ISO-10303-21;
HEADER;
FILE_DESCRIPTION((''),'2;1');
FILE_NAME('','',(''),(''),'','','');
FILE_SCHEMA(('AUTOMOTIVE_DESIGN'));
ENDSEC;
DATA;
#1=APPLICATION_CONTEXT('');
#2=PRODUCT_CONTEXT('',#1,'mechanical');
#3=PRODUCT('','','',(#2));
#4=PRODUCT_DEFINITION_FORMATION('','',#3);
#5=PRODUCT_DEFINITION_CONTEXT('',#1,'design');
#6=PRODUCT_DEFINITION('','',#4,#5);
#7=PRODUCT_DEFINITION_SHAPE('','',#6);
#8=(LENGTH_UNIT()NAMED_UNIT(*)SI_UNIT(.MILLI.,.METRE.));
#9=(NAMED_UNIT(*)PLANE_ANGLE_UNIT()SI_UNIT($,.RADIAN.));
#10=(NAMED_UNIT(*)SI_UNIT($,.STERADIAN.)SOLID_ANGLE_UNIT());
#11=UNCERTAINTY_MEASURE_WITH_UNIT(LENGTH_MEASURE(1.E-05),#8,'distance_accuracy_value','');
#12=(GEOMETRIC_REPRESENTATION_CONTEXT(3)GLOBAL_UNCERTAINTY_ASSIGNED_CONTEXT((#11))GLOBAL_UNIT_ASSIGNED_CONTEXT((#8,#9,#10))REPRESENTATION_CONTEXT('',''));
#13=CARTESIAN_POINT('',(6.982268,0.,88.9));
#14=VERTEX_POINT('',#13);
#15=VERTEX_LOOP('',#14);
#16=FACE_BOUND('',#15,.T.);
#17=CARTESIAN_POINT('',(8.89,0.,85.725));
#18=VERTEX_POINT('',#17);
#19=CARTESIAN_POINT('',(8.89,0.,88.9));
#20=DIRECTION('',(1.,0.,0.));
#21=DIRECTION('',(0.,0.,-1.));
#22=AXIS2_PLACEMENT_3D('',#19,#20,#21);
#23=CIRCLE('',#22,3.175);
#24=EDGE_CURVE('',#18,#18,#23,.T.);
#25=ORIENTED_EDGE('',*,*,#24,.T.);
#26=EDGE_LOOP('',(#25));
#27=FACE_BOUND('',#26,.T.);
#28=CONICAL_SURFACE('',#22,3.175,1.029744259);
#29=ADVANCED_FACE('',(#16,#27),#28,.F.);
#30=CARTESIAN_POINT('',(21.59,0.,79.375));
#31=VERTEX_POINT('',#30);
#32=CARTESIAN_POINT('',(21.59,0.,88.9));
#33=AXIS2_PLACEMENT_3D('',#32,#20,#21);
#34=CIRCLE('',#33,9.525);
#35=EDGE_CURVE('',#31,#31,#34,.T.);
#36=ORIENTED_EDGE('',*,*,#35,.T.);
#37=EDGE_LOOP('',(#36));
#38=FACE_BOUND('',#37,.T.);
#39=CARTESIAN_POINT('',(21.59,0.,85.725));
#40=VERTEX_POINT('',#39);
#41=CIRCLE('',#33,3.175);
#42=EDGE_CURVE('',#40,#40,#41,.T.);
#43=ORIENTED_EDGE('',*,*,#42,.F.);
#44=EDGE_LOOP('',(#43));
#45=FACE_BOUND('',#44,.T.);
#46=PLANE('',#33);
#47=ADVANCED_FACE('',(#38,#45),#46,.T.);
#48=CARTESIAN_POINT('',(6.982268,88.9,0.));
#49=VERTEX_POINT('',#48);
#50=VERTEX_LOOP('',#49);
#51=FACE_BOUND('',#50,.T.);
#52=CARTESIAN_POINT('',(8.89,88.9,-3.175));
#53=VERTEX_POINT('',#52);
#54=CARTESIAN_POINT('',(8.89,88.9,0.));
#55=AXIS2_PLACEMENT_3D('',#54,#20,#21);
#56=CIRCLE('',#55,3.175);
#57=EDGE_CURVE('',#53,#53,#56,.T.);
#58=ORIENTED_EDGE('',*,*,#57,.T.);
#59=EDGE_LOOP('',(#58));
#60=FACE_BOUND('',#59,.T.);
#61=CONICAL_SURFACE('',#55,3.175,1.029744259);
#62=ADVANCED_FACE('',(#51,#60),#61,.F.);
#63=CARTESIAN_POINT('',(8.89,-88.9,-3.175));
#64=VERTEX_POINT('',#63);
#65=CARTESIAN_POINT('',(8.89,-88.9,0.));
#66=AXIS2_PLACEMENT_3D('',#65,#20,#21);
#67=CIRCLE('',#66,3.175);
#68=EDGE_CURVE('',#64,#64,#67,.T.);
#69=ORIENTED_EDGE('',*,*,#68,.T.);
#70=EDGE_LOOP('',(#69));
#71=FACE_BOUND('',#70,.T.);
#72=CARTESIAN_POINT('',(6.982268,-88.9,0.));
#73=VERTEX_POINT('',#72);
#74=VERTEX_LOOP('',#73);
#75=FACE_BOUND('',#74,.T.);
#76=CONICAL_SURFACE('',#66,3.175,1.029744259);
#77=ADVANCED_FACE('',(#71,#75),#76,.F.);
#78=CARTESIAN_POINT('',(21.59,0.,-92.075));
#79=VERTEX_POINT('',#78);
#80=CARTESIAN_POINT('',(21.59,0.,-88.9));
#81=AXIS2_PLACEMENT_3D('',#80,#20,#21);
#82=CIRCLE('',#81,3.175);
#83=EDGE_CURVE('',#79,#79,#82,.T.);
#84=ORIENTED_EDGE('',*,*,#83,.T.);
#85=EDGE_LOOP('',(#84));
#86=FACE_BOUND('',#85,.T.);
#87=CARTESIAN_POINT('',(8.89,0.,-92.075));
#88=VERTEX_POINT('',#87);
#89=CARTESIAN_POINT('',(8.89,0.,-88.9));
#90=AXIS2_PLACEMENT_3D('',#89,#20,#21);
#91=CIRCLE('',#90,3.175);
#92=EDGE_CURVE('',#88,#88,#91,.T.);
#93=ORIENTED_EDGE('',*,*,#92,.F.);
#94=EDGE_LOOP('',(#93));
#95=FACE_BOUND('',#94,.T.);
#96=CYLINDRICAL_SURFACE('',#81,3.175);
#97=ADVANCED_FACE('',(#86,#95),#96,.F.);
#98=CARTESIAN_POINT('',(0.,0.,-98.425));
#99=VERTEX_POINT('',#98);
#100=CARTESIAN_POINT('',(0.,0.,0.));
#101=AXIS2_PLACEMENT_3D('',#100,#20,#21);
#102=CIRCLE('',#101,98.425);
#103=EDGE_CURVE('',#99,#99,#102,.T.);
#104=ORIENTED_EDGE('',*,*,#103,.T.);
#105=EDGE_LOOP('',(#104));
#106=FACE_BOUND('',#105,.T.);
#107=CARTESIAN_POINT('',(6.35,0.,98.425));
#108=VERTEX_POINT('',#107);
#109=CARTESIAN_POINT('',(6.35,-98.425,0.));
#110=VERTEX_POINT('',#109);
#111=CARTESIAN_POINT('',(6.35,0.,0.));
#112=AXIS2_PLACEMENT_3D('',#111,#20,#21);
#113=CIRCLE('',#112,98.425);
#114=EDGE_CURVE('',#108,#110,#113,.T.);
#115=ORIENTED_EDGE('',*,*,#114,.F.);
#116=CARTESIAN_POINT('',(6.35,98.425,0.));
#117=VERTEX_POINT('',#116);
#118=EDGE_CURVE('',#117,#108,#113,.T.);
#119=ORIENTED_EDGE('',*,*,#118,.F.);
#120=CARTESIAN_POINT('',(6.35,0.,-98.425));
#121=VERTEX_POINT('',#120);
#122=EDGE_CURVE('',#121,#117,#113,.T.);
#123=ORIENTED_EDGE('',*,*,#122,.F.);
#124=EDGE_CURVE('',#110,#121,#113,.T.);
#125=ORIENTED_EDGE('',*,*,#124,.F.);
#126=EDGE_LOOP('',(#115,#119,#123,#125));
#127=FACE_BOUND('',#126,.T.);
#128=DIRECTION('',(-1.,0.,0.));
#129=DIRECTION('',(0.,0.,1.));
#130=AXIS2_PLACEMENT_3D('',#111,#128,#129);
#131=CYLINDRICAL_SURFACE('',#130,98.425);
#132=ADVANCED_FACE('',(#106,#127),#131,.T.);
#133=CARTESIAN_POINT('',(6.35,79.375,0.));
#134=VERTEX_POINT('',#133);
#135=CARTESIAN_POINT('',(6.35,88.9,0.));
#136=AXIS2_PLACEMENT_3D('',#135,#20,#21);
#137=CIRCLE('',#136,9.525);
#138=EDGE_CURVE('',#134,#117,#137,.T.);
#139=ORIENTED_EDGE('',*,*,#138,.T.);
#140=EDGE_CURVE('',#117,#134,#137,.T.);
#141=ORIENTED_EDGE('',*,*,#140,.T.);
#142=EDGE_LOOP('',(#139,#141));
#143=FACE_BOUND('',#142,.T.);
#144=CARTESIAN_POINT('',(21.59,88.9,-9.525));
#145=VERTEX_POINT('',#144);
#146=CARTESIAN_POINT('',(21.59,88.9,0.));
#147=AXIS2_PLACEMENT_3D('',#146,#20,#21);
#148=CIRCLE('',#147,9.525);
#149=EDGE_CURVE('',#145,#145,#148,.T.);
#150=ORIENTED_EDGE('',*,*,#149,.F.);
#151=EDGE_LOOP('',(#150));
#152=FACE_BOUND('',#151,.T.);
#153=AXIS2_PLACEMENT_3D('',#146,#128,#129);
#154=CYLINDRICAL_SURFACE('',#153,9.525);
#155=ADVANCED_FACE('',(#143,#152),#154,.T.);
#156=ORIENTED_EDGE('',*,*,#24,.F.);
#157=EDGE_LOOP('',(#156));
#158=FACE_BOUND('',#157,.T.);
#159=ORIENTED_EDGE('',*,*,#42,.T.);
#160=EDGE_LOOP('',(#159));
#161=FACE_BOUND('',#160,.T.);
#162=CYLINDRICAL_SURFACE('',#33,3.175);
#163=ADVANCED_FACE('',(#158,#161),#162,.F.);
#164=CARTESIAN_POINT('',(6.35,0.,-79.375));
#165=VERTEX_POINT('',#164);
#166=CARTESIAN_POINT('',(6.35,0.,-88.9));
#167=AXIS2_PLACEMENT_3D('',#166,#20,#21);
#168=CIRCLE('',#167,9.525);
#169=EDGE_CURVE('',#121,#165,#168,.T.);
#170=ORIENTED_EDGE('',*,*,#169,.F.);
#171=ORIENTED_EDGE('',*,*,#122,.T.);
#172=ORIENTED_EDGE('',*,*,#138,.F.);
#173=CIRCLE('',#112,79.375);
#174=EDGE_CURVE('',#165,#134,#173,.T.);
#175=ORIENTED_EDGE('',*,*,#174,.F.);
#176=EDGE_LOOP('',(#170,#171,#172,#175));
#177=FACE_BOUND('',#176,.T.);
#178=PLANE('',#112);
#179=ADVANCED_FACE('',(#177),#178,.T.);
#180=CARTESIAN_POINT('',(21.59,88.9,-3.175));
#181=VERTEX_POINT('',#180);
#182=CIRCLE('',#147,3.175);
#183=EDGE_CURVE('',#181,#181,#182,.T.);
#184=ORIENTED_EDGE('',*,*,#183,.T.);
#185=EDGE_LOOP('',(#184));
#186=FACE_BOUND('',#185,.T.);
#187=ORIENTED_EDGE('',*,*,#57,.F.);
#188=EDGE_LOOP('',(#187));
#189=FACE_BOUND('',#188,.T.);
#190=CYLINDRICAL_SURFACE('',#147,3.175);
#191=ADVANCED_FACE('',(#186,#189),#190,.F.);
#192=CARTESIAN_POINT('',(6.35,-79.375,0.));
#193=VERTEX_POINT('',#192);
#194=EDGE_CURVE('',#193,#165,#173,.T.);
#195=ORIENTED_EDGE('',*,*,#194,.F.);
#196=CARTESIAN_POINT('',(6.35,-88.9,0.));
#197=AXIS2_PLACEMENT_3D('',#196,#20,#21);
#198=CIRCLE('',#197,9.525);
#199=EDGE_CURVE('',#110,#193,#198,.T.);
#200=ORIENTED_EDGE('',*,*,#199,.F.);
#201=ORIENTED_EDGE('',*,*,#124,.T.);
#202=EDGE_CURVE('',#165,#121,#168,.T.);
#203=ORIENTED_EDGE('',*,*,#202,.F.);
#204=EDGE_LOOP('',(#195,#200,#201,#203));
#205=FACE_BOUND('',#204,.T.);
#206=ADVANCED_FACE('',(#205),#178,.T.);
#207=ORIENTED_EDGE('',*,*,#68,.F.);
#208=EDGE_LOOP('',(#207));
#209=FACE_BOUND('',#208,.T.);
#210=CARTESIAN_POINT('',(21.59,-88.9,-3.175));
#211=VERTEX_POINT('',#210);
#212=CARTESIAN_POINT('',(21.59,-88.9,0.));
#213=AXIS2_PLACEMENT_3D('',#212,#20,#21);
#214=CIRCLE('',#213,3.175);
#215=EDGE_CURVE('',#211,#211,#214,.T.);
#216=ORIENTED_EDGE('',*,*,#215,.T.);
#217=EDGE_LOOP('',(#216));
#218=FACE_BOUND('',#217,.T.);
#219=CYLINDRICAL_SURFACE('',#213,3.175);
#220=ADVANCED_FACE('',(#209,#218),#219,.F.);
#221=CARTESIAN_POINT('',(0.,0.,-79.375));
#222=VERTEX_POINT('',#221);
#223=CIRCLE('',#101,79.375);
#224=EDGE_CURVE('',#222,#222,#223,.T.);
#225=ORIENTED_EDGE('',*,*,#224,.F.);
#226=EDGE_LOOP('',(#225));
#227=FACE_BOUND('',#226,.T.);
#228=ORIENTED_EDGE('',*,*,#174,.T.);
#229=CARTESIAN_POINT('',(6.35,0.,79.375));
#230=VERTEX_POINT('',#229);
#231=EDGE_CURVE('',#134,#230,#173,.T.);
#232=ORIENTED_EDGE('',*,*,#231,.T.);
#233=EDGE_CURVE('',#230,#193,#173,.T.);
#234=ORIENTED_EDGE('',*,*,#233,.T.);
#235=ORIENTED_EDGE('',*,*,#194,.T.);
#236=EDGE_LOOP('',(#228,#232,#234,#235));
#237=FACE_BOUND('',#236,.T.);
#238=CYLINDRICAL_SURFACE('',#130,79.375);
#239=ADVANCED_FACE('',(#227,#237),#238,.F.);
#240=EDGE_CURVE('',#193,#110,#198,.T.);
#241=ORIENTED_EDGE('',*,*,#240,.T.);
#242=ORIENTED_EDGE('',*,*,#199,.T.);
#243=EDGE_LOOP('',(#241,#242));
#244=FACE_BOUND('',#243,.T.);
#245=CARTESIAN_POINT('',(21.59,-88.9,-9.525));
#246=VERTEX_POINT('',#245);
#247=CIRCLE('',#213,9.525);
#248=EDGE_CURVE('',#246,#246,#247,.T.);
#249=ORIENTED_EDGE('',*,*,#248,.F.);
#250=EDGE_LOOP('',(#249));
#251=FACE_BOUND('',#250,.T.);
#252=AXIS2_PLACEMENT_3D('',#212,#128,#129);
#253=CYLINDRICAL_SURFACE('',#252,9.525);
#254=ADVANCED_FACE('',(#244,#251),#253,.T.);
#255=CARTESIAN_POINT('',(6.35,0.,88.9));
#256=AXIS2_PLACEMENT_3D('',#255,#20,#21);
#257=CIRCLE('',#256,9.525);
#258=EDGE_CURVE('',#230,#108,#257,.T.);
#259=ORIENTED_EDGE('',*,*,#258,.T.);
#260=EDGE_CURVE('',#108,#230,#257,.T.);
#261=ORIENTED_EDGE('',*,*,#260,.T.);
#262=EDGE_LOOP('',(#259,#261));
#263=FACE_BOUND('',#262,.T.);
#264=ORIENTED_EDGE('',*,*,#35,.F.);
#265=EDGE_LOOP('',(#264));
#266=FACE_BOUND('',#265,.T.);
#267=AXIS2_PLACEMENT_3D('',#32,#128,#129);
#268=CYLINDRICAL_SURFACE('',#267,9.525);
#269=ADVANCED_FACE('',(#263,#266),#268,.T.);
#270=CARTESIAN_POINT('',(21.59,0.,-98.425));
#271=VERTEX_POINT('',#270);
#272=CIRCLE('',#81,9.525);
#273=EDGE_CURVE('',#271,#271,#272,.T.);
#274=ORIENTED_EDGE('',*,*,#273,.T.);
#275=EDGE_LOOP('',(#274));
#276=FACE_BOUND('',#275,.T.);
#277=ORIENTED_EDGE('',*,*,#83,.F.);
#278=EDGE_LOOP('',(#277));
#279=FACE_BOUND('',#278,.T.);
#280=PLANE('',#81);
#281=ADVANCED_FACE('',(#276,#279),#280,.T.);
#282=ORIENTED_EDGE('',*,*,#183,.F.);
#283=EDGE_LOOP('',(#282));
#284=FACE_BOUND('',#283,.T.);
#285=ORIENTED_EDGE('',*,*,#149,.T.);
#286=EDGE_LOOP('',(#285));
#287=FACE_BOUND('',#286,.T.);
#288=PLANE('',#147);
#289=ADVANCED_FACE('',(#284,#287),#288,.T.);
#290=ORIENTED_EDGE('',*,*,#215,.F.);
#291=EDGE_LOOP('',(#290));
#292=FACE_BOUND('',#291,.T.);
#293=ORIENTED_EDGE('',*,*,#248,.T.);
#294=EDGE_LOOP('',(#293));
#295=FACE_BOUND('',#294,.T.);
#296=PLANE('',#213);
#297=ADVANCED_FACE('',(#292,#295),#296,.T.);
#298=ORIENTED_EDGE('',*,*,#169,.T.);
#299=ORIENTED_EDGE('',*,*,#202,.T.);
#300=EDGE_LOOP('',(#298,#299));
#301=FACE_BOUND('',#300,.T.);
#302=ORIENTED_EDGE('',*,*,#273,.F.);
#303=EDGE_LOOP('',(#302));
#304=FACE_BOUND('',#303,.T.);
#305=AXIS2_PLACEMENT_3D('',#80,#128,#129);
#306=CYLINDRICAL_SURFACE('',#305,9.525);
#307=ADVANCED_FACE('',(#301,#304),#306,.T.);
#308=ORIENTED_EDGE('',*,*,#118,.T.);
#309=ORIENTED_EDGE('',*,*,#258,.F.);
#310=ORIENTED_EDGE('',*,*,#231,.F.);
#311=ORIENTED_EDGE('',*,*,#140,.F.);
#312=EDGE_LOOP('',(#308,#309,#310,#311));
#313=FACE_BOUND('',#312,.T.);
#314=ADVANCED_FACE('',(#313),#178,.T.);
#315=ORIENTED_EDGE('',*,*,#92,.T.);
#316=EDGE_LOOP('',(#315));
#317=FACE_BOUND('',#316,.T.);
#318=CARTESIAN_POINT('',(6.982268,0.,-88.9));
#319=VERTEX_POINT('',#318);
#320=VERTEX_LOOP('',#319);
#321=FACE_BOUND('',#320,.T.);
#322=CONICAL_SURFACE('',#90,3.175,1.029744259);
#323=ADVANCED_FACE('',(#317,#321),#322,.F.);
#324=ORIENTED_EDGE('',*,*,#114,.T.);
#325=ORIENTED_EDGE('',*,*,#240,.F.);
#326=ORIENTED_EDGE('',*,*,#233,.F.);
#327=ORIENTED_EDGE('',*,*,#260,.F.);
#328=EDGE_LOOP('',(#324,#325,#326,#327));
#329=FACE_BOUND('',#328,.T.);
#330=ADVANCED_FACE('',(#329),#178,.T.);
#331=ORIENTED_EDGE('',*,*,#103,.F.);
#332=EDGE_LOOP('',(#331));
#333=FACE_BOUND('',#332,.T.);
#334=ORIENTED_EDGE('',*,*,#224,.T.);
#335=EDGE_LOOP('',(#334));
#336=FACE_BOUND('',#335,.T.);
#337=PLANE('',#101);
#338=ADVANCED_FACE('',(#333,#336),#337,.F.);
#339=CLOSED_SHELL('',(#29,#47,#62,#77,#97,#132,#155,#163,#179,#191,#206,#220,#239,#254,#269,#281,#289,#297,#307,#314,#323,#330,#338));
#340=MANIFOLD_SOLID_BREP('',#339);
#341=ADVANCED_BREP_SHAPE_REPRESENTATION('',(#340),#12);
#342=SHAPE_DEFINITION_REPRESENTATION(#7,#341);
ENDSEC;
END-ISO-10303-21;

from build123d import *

# Parameters (mm, degrees)
SKETCH1_R           = 98.425
SKETCH1_R_2         = 79.375
BOSS_EXTRUDE1_DEPTH = 6.35
BOSS_EXTRUDE2_START = 6.35
SKETCH2_R           = 9.525
BOSS_EXTRUDE2_DEPTH = 15.24
CIRPATTERN2_COUNT   = 4


with BuildPart() as part:
    # Sketch1 → Boss-Extrude1 (new body)
    with BuildSketch(Plane(origin=(0, 0, 0), x_dir=(0, 0, -1), z_dir=(1, 0, 0))):
        Circle(SKETCH1_R)
        Circle(SKETCH1_R_2, mode=Mode.SUBTRACT)
    extrude(amount=BOSS_EXTRUDE1_DEPTH)

    # Sketch2 → Boss-Extrude2 (add)
    with BuildSketch(Plane(origin=(0, 0, 0), x_dir=(0, 0, -1), z_dir=(1, 0, 0)).offset(BOSS_EXTRUDE2_START)):
        with Locations((88.9, 0)):
            Circle(SKETCH2_R)
    boss_extrude2 = extrude(amount=BOSS_EXTRUDE2_DEPTH)

    # Sketch4 → 1/4 (0.2500) Dowel Hole1 (revolve, cut)
    with BuildSketch(Plane(origin=(21.59, 0, -88.9), x_dir=(0, 0, -1), z_dir=(0, 1, 0))):
        Polygon((0, 0), (0, 14.607732465), (3.175, 12.7), (3.175, 0), align=None)
    f_1_4_0_2500_dowel_hole1 = revolve(axis=Axis((27.94, 0, -88.9), (-1, 0, 0)), mode=Mode.SUBTRACT)

    # CirPattern2: Boss-Extrude2, 1/4 (0.2500) Dowel Hole1 ×4 about axis
    cirpattern2_axis = Axis((0, 0, 0), (1, 0, 0))
    for i in range(1, CIRPATTERN2_COUNT):
        add(boss_extrude2.rotate(cirpattern2_axis, i * 360 / CIRPATTERN2_COUNT))
        add(f_1_4_0_2500_dowel_hole1.rotate(cirpattern2_axis, i * 360 / CIRPATTERN2_COUNT), mode=Mode.SUBTRACT)


solid = part.part
